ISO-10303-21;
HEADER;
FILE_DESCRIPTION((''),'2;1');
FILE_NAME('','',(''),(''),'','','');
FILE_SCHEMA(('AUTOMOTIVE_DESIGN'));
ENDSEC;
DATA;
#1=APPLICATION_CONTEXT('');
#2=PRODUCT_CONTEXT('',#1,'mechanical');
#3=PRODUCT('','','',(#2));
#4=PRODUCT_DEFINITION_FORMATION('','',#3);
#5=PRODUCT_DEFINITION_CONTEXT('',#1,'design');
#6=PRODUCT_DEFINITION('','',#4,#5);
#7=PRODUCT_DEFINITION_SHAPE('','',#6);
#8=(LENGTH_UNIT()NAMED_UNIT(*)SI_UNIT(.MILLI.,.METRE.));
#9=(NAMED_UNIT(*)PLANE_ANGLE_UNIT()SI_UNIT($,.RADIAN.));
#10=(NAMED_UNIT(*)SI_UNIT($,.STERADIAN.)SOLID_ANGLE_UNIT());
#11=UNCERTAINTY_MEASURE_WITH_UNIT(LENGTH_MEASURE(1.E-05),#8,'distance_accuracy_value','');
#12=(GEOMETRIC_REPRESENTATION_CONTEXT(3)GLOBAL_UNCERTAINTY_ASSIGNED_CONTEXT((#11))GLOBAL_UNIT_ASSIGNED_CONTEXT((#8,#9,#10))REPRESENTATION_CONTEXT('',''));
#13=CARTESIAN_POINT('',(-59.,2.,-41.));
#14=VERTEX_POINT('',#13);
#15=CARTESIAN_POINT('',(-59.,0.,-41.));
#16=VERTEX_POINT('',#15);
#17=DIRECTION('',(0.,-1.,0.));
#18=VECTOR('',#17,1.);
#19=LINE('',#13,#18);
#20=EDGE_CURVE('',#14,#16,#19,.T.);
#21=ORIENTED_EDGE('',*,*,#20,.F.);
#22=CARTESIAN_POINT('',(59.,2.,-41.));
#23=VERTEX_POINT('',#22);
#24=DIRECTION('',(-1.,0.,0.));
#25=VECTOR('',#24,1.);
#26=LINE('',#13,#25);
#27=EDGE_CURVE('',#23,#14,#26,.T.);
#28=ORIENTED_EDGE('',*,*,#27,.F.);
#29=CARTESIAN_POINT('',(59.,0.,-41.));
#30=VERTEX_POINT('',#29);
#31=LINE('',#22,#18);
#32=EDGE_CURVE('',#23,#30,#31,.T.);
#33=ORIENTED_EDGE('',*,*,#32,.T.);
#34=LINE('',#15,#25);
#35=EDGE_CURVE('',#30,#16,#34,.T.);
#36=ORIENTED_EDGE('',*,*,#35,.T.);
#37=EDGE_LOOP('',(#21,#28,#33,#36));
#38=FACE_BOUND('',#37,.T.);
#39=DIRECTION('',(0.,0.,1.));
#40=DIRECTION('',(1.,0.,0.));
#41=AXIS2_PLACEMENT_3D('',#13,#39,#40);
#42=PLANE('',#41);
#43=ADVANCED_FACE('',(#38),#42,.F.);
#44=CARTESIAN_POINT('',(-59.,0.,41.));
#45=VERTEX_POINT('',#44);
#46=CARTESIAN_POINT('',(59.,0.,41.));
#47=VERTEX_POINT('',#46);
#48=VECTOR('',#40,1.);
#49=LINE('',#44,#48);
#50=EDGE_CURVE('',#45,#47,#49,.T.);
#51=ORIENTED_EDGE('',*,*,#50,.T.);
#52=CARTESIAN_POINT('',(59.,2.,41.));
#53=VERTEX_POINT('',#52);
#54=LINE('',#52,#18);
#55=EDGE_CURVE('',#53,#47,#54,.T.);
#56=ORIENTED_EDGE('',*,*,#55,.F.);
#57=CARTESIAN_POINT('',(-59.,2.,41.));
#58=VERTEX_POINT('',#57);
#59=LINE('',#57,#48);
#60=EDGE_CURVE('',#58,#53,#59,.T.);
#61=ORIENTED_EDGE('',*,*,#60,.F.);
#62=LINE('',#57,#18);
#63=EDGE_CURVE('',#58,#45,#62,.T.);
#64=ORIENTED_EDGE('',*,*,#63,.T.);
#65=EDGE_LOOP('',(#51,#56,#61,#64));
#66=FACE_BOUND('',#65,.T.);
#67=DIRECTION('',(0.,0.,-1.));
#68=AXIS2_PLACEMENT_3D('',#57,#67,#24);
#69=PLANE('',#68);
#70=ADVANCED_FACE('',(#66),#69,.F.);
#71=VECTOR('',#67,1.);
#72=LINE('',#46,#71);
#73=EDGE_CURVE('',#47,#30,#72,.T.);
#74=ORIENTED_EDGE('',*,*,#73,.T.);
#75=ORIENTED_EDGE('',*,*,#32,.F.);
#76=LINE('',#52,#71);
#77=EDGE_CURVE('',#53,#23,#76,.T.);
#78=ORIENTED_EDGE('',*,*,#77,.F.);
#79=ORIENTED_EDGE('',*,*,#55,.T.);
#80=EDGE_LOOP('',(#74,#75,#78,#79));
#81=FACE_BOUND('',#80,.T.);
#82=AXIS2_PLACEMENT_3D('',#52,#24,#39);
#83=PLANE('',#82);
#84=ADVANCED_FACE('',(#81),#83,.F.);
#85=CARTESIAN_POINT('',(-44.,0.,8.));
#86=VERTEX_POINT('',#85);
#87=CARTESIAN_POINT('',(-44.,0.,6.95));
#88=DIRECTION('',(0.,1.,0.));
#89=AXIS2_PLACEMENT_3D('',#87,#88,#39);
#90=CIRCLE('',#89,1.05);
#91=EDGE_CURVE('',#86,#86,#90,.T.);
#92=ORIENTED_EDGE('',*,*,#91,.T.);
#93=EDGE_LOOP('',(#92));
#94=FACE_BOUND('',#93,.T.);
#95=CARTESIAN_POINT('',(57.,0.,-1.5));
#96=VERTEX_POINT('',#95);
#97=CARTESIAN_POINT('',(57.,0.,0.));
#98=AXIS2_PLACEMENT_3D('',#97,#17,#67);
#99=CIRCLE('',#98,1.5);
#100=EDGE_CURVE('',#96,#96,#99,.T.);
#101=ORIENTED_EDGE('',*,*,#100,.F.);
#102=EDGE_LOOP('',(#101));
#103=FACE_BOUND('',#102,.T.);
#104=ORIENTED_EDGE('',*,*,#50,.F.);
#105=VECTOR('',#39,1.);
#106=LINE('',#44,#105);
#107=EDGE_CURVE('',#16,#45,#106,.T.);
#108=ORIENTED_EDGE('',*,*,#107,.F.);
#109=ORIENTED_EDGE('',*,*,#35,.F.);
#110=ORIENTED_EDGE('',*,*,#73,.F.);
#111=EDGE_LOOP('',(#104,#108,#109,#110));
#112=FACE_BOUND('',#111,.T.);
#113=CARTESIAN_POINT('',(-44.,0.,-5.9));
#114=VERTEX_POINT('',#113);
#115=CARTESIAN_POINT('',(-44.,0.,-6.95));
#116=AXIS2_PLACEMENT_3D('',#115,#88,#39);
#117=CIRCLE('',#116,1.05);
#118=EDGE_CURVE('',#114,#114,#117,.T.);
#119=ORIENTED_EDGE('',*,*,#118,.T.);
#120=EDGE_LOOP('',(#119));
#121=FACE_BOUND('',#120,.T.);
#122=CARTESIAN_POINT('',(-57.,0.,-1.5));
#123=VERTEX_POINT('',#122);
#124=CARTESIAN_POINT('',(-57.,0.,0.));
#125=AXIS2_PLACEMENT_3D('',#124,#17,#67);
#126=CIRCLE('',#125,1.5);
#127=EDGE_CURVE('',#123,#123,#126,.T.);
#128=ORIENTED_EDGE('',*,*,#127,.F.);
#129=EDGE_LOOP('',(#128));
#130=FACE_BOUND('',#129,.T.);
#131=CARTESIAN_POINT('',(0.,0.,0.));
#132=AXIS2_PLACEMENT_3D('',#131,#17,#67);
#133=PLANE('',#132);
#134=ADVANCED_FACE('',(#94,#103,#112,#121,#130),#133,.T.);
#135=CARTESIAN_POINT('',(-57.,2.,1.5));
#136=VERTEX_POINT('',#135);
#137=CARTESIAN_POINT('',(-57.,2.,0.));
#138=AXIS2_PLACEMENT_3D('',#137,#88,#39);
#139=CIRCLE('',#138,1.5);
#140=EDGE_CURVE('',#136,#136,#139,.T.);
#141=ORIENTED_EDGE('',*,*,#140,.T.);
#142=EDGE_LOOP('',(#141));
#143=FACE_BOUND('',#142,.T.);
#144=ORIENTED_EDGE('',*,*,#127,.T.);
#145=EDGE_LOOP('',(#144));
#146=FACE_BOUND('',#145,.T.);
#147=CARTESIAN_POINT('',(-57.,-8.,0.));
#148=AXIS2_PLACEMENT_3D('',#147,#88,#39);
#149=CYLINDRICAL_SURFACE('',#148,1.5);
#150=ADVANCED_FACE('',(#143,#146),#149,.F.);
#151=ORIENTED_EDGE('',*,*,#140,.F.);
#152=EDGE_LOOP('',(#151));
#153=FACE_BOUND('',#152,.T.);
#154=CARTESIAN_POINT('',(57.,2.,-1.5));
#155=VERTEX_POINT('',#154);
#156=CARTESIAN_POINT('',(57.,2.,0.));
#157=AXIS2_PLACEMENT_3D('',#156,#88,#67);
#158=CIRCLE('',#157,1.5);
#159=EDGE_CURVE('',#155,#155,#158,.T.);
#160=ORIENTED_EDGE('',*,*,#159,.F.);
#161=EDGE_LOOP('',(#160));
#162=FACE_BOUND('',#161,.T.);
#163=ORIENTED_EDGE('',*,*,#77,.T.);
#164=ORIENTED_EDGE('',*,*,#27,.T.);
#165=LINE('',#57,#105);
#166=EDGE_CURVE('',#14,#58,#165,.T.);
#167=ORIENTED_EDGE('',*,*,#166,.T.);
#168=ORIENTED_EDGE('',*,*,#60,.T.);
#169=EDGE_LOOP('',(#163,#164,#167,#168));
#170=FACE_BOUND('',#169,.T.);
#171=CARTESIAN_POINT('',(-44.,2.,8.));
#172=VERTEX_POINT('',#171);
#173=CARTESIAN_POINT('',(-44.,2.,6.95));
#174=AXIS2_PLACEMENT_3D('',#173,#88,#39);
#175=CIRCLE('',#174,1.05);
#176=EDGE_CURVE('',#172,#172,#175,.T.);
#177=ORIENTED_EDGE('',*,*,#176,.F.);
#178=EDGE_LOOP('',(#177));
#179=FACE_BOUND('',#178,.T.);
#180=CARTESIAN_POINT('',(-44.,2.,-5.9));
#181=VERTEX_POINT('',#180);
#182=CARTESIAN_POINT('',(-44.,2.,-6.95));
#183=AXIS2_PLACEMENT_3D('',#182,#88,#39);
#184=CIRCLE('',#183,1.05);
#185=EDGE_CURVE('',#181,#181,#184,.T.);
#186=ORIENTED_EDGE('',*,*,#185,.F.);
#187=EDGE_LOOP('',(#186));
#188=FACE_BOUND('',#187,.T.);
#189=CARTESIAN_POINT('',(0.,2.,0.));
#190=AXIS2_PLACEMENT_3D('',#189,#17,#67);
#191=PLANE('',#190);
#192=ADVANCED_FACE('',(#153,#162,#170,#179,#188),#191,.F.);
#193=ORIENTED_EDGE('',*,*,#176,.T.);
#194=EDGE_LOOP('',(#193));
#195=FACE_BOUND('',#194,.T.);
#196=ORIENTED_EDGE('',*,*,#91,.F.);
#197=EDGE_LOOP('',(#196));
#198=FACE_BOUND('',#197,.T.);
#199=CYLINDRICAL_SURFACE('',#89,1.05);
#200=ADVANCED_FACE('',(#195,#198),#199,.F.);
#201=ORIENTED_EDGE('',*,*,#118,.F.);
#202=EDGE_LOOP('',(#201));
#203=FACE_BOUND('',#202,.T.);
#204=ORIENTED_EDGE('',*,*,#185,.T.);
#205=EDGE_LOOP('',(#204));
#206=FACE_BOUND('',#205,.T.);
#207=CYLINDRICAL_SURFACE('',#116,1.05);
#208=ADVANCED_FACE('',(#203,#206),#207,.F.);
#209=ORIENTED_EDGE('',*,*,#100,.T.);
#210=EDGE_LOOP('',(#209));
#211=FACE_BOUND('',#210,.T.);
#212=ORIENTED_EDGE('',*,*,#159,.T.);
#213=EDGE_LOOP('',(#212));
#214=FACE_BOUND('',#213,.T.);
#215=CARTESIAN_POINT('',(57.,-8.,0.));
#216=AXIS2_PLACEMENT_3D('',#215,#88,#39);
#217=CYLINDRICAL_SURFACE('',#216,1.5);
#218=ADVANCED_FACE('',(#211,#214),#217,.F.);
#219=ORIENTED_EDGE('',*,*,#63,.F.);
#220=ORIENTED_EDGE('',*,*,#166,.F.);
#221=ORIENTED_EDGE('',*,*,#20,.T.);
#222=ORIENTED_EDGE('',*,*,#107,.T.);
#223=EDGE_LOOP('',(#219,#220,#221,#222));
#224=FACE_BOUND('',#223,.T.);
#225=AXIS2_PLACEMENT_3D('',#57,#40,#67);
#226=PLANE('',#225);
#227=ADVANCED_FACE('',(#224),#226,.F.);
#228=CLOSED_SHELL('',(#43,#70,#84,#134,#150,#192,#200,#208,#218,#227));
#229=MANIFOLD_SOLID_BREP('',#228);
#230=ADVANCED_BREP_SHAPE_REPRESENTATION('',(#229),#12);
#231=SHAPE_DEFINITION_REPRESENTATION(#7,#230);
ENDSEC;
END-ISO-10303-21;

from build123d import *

# Parameters (mm, degrees)
SKETCH1_W           = 118
SKETCH1_H           = 82
BOSS_EXTRUDE1_DEPTH = 2
CUT_EXTRUDE1_DEPTH  = 2
SKETCH3_R           = 1.5
CUT_EXTRUDE2_DEPTH  = 10


with BuildPart() as part:
    # Sketch1 → Boss-Extrude1 (new body)
    with BuildSketch(Plane(origin=(0, 0, 0), x_dir=(1, 0, 0), z_dir=(0, 1, 0))):
        Rectangle(SKETCH1_W, SKETCH1_H)
    extrude(amount=BOSS_EXTRUDE1_DEPTH)

    # Sketch2 → Cut-Extrude1 (cut)
    with BuildSketch(Plane(origin=(0, 2, 0), x_dir=(1, 0, 0), z_dir=(0, 1, 0))):
        with BuildLine():
            ThreePointArc((-44, 8), (-45.05, 6.95), (-44, 5.9))
            Line((-44, 5.9), (-44, 8))
        make_face()
        with BuildLine():
            Line((-44, 8), (-44, 5.9))
            ThreePointArc((-44, 5.9), (-43.25753788, 6.20753788), (-42.95, 6.95))
            ThreePointArc((-42.95, 6.95), (-43.25753788, 7.69246212), (-44, 8))
        make_face()
        with BuildLine():
            ThreePointArc((-44, -5.9), (-45.05, -6.95), (-44, -8))
            Line((-44, -8), (-44, -5.9))
        make_face()
        with BuildLine():
            Line((-44, -5.9), (-44, -8))
            ThreePointArc((-44, -8), (-43.25753788, -7.69246212), (-42.95, -6.95))
            ThreePointArc((-42.95, -6.95), (-43.25753788, -6.20753788), (-44, -5.9))
        make_face()
    extrude(amount=-CUT_EXTRUDE1_DEPTH, mode=Mode.SUBTRACT)

    # Sketch3 → Cut-Extrude2 (cut)
    with BuildSketch(Plane(origin=(0, 2, 0), x_dir=(1, 0, 0), z_dir=(0, 1, 0))):
        with Locations(Location((-57, 0, 0), (0, 0, 270))):
            Circle(SKETCH3_R)
        with Locations(Location((57, 0, 0), (0, 0, 90))):
            Circle(SKETCH3_R)
    extrude(amount=-CUT_EXTRUDE2_DEPTH, mode=Mode.SUBTRACT)


solid = part.part
